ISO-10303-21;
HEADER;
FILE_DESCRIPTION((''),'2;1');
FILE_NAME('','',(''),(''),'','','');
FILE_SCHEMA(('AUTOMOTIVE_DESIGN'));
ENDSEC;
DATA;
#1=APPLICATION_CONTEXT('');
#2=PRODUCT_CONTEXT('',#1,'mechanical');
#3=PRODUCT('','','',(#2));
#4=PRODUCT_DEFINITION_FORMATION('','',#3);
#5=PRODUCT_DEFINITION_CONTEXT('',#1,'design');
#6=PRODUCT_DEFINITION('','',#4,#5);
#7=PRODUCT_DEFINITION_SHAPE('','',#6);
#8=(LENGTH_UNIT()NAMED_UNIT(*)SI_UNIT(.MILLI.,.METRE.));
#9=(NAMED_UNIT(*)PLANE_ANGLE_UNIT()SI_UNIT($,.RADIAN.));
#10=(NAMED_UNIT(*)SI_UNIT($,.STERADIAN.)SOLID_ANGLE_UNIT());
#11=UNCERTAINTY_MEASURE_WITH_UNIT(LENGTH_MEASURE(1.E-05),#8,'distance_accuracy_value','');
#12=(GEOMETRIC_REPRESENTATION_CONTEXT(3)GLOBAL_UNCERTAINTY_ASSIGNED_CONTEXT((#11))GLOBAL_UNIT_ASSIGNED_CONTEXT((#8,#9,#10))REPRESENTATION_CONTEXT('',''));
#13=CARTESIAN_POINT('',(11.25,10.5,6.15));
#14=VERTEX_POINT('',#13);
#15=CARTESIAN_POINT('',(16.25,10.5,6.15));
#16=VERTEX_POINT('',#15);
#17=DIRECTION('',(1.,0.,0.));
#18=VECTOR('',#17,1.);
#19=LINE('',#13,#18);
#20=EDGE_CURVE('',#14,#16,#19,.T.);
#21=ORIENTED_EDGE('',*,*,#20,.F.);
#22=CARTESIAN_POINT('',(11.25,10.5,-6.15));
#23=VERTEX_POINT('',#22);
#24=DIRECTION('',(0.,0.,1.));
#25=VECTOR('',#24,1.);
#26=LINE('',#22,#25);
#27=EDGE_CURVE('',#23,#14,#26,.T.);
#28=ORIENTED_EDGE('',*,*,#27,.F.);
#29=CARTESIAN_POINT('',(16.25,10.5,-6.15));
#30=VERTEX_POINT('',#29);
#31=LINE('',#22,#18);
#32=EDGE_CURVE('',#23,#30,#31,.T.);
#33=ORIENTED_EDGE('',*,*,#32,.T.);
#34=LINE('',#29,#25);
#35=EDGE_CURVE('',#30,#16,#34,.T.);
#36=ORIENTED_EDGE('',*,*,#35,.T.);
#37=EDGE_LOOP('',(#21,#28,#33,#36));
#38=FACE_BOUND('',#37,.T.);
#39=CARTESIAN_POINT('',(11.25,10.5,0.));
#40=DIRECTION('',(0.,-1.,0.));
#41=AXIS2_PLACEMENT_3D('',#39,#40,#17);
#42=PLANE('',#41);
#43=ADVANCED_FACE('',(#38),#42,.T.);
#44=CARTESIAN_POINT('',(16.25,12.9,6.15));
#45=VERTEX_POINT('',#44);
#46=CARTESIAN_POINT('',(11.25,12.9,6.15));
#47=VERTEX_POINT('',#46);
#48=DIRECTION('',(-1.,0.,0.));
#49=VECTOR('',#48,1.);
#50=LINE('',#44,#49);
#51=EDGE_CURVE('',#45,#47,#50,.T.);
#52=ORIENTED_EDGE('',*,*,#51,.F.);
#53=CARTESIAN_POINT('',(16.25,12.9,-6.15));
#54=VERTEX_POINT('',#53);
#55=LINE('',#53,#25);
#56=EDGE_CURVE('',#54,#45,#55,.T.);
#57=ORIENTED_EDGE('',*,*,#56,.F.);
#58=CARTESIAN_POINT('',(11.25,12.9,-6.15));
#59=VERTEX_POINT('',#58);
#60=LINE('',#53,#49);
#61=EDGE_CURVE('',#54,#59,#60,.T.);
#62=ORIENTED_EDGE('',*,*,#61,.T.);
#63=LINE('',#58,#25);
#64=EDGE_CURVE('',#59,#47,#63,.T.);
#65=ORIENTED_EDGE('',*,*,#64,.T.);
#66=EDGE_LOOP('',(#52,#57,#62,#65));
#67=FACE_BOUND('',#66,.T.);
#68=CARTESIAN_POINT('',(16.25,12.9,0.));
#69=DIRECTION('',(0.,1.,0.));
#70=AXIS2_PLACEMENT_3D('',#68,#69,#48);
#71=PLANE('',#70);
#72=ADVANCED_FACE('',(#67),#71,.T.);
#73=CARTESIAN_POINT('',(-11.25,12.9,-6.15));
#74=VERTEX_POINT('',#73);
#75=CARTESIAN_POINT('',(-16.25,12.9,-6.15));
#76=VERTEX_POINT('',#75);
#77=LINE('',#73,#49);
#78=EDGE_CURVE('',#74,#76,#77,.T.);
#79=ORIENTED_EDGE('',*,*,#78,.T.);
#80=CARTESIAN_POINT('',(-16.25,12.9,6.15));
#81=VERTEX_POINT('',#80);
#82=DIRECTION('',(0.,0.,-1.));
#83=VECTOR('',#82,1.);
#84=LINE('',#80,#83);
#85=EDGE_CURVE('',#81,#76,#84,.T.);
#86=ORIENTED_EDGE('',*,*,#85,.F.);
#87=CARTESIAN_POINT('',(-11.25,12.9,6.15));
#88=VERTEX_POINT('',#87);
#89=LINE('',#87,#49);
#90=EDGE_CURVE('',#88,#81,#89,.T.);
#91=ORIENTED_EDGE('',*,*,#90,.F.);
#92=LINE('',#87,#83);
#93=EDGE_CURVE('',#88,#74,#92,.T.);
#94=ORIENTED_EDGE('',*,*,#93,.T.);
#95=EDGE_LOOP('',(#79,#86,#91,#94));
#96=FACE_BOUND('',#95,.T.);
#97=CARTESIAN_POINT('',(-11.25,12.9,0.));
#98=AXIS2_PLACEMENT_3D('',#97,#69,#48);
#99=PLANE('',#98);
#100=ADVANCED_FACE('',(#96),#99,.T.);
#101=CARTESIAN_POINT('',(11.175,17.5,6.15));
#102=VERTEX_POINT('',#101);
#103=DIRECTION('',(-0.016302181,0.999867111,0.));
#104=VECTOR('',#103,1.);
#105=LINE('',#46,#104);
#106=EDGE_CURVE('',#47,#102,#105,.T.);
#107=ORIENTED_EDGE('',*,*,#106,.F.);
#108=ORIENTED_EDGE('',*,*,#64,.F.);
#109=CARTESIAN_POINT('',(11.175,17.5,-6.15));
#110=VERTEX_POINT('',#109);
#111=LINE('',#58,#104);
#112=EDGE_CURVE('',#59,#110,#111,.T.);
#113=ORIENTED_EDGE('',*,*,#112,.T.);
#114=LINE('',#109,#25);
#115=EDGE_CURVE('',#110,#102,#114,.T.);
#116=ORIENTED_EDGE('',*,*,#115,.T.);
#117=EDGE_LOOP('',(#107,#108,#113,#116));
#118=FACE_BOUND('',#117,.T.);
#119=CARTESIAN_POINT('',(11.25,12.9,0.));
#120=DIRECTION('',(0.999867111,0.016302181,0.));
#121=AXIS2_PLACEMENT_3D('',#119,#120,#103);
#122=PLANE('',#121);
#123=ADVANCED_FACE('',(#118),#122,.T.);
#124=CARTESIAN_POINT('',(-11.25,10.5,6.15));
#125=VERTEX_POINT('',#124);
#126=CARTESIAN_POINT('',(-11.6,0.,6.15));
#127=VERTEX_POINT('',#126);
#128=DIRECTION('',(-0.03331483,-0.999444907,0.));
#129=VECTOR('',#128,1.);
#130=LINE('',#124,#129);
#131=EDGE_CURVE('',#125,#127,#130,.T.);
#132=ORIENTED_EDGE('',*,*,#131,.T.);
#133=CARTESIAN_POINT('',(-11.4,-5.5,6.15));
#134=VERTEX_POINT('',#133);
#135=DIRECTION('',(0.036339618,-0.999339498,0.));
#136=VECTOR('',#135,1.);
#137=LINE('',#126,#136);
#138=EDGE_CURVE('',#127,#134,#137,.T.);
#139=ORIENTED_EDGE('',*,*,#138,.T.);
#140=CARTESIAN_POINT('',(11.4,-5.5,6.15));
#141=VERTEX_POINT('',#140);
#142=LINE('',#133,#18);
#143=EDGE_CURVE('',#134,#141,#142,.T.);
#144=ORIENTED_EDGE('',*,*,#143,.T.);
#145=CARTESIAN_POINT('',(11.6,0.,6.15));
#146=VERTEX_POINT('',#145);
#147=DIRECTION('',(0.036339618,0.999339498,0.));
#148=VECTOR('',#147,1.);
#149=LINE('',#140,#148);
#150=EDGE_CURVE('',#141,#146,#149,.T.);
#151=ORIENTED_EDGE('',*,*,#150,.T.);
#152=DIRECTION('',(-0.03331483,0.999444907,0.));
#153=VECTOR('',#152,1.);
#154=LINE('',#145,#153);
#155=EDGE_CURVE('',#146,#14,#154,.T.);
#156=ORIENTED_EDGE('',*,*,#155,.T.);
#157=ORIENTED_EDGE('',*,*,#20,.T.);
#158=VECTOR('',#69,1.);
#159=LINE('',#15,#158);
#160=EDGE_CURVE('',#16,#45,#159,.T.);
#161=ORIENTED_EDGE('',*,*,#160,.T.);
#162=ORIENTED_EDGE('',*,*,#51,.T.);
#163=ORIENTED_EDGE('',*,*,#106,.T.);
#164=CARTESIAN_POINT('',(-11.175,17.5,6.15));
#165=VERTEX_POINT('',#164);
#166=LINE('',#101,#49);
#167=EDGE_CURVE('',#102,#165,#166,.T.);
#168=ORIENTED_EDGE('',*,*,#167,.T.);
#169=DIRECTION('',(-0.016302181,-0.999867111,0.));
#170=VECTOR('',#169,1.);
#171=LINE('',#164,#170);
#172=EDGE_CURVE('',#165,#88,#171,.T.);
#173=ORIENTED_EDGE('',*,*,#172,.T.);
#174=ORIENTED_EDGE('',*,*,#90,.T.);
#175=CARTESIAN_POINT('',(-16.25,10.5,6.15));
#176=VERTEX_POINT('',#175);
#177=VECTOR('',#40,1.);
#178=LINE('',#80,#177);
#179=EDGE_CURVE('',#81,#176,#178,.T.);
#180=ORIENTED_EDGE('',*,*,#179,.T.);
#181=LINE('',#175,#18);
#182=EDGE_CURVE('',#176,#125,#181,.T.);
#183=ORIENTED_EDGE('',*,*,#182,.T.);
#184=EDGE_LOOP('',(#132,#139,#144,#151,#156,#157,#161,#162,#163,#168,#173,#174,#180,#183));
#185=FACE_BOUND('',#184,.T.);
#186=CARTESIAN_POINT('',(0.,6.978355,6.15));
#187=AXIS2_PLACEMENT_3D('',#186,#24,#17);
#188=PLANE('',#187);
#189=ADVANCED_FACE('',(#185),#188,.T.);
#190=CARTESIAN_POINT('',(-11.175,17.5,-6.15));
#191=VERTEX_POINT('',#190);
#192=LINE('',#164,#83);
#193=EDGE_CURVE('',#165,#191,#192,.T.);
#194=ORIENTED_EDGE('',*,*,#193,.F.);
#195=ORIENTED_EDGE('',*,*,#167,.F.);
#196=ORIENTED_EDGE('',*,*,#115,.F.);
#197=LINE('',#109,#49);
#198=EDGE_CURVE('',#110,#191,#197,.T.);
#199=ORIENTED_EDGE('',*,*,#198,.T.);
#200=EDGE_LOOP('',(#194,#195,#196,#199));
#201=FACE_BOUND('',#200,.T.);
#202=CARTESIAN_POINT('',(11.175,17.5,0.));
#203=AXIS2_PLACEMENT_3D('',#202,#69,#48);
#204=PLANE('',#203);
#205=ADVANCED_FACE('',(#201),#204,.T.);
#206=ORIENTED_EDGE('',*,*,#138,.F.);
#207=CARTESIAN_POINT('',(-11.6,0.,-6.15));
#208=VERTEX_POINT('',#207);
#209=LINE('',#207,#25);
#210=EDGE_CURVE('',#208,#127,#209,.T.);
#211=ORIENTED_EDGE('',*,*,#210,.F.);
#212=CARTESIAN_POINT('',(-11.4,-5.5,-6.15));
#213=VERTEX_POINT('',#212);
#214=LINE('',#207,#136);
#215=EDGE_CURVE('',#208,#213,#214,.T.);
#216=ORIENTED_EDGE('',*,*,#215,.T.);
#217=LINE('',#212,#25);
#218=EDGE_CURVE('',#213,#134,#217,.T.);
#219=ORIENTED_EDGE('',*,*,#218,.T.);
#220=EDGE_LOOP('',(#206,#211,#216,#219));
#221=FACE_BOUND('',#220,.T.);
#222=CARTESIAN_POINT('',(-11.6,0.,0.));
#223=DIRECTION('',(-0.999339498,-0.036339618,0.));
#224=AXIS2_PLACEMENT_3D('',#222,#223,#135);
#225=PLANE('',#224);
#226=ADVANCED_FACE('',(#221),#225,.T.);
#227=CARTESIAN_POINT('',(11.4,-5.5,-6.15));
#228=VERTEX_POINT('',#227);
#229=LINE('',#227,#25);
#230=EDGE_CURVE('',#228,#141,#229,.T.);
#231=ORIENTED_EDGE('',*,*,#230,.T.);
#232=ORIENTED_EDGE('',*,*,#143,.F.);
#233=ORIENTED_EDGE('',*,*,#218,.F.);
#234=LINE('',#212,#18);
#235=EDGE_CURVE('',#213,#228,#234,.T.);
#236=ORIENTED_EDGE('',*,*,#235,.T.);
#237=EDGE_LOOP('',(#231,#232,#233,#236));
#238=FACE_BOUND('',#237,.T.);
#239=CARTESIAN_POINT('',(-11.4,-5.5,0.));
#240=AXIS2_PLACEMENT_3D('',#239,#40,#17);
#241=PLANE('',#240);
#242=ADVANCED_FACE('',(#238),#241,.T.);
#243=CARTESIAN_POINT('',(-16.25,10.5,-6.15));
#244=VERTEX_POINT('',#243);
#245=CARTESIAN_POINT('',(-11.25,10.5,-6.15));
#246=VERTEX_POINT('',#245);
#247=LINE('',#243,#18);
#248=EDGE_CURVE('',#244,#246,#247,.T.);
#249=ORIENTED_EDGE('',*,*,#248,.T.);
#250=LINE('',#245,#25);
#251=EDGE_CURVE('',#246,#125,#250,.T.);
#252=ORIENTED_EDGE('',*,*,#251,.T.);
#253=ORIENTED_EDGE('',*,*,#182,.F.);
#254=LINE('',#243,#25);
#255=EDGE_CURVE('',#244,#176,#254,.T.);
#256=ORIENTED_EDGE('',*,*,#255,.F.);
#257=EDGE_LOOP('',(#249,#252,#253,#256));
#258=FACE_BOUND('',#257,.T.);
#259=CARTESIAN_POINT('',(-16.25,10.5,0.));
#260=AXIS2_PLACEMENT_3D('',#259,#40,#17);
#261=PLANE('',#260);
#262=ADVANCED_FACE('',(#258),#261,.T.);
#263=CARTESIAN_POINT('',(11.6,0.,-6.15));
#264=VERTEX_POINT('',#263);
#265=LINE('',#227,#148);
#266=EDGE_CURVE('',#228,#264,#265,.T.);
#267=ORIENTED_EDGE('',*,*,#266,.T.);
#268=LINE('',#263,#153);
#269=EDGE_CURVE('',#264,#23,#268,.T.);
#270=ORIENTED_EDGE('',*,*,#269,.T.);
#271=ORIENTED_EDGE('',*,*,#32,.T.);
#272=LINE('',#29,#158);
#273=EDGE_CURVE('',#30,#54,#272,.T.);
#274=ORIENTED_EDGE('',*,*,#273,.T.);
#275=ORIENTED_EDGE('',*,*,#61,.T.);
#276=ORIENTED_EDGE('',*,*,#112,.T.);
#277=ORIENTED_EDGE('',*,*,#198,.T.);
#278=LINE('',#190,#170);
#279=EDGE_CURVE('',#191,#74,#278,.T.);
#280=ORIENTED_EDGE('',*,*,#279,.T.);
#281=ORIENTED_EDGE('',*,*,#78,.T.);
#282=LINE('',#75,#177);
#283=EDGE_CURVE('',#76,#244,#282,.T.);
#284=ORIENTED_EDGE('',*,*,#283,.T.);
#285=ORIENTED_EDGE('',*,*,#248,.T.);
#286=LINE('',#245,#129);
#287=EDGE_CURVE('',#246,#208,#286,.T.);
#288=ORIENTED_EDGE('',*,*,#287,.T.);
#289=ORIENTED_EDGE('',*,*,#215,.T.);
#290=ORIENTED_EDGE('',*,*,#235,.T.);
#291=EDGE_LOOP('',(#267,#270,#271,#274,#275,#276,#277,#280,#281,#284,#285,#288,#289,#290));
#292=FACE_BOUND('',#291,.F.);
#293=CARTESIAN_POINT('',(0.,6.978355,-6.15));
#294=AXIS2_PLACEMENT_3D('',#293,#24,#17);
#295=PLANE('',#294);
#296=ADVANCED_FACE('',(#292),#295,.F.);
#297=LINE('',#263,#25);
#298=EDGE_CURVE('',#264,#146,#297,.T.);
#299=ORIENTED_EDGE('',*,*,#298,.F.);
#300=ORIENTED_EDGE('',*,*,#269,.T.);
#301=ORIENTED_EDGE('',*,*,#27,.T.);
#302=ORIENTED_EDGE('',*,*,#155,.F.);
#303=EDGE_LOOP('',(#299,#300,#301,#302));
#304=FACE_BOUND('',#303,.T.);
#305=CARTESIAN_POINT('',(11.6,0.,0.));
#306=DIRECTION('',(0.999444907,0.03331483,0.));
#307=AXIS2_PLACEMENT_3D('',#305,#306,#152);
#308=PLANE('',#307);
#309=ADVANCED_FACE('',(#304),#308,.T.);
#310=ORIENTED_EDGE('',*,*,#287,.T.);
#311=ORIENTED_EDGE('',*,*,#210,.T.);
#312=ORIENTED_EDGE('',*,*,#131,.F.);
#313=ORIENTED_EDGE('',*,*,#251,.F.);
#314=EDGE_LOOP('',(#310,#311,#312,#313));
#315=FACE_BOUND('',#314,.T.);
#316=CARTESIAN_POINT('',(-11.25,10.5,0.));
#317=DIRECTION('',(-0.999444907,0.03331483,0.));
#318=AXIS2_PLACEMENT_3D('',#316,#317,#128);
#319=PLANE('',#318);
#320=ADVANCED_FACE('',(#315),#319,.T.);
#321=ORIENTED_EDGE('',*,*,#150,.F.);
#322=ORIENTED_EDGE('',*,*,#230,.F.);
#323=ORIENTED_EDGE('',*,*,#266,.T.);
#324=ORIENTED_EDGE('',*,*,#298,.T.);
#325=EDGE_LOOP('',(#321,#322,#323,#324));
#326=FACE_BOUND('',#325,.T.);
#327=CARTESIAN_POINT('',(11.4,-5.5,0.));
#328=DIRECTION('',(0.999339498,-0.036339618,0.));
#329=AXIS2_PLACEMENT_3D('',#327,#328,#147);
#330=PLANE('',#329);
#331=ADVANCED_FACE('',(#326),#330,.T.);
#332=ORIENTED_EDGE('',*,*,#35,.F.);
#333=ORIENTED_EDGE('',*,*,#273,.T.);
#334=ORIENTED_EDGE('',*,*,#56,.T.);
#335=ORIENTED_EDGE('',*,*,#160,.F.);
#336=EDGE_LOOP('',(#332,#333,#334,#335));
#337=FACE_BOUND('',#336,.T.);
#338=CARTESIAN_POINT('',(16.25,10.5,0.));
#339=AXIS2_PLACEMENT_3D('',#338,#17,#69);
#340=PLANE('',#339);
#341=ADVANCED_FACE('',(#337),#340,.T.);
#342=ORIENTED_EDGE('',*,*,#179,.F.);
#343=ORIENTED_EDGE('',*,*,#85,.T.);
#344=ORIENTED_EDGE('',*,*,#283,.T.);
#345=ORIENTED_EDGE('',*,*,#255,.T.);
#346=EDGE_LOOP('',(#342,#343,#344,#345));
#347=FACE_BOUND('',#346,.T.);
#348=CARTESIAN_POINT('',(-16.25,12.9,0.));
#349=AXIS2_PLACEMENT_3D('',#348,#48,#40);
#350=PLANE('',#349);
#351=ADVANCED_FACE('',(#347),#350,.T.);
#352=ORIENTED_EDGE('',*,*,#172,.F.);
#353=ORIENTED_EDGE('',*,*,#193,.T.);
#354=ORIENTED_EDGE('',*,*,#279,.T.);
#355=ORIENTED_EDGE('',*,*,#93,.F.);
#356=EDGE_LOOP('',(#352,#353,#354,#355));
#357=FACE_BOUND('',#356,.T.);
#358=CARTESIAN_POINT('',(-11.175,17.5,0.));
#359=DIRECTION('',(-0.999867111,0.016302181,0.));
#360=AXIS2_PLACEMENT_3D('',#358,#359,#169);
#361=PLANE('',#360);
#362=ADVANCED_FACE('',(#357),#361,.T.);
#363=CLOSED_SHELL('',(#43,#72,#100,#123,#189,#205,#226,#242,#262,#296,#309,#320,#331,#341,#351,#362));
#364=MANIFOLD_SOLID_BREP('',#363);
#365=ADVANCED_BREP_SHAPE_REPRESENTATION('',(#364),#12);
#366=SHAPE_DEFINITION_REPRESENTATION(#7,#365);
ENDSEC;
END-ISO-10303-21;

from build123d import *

# Parameters (mm, degrees)
F1_DEPTH = 6.15


with BuildPart() as f1:
    # F0 (on Top) → F1 (new body, symmetric)
    with BuildSketch(Plane.XY):
        Polygon((-16.25, 12.9), (-16.25, 10.5), (-11.25, 10.5), (-11.6, 0), (-11.4, -5.5), (11.4, -5.5), (11.6, 0), (11.25, 10.5), (16.25, 10.5), (16.25, 12.9), (11.25, 12.9), (11.175, 17.5), (-11.175, 17.5), (-11.25, 12.9), align=None)
    extrude(amount=F1_DEPTH, both=True)


solid = f1.part
